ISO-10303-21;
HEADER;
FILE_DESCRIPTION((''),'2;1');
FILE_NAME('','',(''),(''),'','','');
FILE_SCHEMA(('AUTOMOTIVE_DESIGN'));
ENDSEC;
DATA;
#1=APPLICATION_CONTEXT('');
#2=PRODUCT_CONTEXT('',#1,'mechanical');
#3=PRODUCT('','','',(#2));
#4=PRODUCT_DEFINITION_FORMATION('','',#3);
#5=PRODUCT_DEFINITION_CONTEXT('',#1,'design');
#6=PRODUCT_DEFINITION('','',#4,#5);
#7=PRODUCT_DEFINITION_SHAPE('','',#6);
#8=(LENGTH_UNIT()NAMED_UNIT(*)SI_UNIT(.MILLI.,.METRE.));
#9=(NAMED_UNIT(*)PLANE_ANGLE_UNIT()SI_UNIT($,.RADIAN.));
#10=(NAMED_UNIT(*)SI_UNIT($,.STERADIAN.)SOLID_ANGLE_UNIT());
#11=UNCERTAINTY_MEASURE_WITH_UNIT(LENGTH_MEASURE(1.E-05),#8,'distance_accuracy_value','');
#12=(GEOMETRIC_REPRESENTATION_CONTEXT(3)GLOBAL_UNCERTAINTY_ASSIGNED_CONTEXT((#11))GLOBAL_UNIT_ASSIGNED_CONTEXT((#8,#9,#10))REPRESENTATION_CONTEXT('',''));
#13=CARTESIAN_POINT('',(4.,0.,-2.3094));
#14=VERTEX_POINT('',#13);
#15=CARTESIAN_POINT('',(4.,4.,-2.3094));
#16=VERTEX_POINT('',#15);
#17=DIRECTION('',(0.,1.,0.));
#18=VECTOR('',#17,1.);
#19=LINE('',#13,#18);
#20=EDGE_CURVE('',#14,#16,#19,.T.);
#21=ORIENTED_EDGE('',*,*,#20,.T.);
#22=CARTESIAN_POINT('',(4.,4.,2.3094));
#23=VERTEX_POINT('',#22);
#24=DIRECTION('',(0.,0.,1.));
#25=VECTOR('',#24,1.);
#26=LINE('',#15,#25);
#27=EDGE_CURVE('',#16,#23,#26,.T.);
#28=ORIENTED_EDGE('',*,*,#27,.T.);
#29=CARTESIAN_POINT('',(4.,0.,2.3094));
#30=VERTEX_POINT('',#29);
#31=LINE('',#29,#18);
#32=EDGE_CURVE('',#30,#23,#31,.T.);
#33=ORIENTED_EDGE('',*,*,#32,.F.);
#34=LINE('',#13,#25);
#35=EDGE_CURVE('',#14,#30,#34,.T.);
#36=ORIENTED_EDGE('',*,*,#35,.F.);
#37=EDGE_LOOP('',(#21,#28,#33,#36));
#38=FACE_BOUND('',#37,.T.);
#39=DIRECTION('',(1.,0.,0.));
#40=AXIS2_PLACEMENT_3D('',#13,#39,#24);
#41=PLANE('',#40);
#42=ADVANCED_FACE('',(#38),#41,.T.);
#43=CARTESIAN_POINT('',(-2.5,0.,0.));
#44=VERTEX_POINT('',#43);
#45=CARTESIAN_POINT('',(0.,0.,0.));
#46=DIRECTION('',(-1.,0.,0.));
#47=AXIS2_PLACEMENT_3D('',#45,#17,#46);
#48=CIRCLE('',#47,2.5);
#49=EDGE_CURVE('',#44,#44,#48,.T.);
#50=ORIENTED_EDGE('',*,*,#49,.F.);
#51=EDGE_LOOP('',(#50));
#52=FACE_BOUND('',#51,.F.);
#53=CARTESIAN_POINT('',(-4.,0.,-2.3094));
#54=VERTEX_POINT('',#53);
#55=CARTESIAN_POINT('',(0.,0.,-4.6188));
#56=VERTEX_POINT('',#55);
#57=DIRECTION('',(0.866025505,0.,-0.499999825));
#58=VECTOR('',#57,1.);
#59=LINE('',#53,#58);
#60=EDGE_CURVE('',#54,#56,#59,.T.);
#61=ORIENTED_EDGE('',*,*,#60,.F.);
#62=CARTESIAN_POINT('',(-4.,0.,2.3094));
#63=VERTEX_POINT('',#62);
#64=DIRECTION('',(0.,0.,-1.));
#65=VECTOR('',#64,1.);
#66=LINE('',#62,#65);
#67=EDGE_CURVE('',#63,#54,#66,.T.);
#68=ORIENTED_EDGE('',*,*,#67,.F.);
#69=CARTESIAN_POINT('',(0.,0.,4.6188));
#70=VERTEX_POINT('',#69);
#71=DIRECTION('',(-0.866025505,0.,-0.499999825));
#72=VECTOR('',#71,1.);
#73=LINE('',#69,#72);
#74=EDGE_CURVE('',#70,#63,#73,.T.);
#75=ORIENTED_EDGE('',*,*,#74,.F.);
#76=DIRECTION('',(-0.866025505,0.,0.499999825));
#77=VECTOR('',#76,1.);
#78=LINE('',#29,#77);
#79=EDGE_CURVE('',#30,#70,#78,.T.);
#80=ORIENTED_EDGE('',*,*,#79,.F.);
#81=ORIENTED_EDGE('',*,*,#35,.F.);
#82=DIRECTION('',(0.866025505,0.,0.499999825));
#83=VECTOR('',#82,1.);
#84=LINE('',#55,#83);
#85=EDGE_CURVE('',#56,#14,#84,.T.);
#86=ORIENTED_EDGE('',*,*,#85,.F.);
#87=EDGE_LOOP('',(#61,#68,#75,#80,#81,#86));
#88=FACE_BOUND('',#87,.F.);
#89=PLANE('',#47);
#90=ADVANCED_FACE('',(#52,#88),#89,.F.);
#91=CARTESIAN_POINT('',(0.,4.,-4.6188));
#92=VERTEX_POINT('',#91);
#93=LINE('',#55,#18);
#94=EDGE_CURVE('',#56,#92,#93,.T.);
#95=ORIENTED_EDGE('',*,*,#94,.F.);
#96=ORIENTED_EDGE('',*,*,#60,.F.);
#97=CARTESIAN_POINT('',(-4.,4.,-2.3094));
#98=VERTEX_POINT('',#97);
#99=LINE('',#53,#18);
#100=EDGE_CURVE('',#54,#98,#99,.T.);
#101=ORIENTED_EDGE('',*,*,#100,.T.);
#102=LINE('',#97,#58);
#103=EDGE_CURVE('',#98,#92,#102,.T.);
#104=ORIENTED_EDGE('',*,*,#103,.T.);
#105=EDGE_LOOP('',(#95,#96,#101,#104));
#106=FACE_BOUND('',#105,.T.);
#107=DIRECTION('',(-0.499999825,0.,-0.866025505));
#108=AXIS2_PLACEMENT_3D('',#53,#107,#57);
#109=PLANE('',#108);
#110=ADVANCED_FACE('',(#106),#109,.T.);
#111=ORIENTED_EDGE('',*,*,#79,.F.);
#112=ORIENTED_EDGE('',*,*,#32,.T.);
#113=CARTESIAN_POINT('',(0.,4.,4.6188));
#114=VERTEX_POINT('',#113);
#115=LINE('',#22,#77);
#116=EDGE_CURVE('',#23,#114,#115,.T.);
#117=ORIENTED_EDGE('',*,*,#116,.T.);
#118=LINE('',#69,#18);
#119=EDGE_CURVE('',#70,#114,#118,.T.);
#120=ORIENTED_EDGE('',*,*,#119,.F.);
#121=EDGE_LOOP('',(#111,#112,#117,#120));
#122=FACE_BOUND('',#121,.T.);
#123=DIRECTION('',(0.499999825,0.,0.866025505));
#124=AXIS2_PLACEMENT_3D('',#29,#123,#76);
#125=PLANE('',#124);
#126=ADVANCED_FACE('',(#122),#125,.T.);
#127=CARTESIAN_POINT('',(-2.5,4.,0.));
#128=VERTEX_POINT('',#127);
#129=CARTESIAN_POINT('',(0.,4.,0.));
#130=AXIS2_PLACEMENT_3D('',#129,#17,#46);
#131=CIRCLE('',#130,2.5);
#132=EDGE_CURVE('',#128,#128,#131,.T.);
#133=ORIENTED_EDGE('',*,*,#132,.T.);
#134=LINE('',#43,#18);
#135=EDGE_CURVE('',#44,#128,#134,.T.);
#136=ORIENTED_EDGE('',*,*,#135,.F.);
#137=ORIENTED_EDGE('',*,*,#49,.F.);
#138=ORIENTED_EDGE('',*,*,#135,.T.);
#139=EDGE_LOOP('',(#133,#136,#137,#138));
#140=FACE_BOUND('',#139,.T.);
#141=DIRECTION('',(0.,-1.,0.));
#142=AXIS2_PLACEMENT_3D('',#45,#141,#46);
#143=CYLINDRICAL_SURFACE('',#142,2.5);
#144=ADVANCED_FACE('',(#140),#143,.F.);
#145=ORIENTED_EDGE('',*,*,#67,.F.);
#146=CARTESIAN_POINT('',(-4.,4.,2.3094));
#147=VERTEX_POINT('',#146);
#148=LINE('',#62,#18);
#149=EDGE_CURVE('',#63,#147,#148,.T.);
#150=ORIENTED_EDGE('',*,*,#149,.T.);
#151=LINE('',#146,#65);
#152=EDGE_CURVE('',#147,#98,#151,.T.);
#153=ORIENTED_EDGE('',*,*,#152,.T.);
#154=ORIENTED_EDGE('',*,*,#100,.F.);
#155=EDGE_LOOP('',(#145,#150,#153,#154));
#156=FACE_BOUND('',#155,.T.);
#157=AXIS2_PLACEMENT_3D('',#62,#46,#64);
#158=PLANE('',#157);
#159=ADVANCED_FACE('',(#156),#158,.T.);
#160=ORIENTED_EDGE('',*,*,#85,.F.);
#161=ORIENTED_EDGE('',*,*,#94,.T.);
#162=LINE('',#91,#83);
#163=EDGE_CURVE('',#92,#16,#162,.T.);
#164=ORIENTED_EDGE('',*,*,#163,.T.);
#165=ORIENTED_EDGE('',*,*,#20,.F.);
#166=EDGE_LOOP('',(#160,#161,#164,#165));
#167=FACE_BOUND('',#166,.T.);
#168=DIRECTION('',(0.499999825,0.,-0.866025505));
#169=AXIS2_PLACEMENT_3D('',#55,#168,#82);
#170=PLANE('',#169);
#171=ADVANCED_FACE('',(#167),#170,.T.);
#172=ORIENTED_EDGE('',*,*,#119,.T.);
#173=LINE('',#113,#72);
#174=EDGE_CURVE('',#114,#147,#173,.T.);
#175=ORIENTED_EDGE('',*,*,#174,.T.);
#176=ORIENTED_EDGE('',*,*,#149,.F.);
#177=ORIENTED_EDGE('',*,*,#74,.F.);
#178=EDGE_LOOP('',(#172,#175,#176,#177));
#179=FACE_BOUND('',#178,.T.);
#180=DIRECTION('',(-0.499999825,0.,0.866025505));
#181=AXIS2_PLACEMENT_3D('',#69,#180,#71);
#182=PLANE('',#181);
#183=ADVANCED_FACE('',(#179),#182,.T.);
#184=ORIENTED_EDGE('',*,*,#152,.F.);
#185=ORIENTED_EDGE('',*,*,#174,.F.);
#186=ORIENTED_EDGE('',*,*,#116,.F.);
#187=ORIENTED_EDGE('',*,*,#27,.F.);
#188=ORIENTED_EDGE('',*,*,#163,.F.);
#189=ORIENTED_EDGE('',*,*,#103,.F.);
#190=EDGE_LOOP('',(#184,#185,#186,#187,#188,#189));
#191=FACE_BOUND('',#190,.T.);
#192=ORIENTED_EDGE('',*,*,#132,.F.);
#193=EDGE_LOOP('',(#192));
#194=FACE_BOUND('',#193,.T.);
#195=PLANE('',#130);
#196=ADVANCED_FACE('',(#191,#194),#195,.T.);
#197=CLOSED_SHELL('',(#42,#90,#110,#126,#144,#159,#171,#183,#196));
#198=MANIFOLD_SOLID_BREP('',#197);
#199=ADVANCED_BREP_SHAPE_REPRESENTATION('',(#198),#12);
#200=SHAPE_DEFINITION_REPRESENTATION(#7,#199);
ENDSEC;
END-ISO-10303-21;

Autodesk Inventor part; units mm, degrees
ref_plane "YZ Plane" through (0, 0, 0) normal (1, 0, 0) x (0, 1, 0)
ref_plane "XZ Plane" through (0, 0, 0) normal (0, 1, 0) x (-1, 0, 0)
ref_plane "XY Plane" through (0, 0, 0) normal (0, 0, 1) x (1, 0, 0)
sketch "スケッチ1" plane through (0, 0, 0) normal (0, 1, 0) x (-1, 0, 0)
  line L0 (0, 4.6188) -> (4, 2.3094)
  line L1 (4, 2.3094) -> (4, -2.3094)
  line L2 (4, -2.3094) -> (0, -4.6188)
  line L3 (0, -4.6188) -> (-4, -2.3094)
  line L4 (-4, -2.3094) -> (-4, 2.3094)
  line L5 (-4, 2.3094) -> (0, 4.6188)
  line L6 (0, 4.6188) -> (0, -4.6188) construction
  circle A0 centre (0, 0) radius 2.5
  dimension "d0" = 8
  dimension "d1" = 5
extrude "押し出し1" add sketch "スケッチ1" along normal blind 4
thread "ねじ1" size "M5x0.8" class "6H" standard "ANSI Metric M Profile" length 55
properties part number "nut" material "ステンレス鋼"
